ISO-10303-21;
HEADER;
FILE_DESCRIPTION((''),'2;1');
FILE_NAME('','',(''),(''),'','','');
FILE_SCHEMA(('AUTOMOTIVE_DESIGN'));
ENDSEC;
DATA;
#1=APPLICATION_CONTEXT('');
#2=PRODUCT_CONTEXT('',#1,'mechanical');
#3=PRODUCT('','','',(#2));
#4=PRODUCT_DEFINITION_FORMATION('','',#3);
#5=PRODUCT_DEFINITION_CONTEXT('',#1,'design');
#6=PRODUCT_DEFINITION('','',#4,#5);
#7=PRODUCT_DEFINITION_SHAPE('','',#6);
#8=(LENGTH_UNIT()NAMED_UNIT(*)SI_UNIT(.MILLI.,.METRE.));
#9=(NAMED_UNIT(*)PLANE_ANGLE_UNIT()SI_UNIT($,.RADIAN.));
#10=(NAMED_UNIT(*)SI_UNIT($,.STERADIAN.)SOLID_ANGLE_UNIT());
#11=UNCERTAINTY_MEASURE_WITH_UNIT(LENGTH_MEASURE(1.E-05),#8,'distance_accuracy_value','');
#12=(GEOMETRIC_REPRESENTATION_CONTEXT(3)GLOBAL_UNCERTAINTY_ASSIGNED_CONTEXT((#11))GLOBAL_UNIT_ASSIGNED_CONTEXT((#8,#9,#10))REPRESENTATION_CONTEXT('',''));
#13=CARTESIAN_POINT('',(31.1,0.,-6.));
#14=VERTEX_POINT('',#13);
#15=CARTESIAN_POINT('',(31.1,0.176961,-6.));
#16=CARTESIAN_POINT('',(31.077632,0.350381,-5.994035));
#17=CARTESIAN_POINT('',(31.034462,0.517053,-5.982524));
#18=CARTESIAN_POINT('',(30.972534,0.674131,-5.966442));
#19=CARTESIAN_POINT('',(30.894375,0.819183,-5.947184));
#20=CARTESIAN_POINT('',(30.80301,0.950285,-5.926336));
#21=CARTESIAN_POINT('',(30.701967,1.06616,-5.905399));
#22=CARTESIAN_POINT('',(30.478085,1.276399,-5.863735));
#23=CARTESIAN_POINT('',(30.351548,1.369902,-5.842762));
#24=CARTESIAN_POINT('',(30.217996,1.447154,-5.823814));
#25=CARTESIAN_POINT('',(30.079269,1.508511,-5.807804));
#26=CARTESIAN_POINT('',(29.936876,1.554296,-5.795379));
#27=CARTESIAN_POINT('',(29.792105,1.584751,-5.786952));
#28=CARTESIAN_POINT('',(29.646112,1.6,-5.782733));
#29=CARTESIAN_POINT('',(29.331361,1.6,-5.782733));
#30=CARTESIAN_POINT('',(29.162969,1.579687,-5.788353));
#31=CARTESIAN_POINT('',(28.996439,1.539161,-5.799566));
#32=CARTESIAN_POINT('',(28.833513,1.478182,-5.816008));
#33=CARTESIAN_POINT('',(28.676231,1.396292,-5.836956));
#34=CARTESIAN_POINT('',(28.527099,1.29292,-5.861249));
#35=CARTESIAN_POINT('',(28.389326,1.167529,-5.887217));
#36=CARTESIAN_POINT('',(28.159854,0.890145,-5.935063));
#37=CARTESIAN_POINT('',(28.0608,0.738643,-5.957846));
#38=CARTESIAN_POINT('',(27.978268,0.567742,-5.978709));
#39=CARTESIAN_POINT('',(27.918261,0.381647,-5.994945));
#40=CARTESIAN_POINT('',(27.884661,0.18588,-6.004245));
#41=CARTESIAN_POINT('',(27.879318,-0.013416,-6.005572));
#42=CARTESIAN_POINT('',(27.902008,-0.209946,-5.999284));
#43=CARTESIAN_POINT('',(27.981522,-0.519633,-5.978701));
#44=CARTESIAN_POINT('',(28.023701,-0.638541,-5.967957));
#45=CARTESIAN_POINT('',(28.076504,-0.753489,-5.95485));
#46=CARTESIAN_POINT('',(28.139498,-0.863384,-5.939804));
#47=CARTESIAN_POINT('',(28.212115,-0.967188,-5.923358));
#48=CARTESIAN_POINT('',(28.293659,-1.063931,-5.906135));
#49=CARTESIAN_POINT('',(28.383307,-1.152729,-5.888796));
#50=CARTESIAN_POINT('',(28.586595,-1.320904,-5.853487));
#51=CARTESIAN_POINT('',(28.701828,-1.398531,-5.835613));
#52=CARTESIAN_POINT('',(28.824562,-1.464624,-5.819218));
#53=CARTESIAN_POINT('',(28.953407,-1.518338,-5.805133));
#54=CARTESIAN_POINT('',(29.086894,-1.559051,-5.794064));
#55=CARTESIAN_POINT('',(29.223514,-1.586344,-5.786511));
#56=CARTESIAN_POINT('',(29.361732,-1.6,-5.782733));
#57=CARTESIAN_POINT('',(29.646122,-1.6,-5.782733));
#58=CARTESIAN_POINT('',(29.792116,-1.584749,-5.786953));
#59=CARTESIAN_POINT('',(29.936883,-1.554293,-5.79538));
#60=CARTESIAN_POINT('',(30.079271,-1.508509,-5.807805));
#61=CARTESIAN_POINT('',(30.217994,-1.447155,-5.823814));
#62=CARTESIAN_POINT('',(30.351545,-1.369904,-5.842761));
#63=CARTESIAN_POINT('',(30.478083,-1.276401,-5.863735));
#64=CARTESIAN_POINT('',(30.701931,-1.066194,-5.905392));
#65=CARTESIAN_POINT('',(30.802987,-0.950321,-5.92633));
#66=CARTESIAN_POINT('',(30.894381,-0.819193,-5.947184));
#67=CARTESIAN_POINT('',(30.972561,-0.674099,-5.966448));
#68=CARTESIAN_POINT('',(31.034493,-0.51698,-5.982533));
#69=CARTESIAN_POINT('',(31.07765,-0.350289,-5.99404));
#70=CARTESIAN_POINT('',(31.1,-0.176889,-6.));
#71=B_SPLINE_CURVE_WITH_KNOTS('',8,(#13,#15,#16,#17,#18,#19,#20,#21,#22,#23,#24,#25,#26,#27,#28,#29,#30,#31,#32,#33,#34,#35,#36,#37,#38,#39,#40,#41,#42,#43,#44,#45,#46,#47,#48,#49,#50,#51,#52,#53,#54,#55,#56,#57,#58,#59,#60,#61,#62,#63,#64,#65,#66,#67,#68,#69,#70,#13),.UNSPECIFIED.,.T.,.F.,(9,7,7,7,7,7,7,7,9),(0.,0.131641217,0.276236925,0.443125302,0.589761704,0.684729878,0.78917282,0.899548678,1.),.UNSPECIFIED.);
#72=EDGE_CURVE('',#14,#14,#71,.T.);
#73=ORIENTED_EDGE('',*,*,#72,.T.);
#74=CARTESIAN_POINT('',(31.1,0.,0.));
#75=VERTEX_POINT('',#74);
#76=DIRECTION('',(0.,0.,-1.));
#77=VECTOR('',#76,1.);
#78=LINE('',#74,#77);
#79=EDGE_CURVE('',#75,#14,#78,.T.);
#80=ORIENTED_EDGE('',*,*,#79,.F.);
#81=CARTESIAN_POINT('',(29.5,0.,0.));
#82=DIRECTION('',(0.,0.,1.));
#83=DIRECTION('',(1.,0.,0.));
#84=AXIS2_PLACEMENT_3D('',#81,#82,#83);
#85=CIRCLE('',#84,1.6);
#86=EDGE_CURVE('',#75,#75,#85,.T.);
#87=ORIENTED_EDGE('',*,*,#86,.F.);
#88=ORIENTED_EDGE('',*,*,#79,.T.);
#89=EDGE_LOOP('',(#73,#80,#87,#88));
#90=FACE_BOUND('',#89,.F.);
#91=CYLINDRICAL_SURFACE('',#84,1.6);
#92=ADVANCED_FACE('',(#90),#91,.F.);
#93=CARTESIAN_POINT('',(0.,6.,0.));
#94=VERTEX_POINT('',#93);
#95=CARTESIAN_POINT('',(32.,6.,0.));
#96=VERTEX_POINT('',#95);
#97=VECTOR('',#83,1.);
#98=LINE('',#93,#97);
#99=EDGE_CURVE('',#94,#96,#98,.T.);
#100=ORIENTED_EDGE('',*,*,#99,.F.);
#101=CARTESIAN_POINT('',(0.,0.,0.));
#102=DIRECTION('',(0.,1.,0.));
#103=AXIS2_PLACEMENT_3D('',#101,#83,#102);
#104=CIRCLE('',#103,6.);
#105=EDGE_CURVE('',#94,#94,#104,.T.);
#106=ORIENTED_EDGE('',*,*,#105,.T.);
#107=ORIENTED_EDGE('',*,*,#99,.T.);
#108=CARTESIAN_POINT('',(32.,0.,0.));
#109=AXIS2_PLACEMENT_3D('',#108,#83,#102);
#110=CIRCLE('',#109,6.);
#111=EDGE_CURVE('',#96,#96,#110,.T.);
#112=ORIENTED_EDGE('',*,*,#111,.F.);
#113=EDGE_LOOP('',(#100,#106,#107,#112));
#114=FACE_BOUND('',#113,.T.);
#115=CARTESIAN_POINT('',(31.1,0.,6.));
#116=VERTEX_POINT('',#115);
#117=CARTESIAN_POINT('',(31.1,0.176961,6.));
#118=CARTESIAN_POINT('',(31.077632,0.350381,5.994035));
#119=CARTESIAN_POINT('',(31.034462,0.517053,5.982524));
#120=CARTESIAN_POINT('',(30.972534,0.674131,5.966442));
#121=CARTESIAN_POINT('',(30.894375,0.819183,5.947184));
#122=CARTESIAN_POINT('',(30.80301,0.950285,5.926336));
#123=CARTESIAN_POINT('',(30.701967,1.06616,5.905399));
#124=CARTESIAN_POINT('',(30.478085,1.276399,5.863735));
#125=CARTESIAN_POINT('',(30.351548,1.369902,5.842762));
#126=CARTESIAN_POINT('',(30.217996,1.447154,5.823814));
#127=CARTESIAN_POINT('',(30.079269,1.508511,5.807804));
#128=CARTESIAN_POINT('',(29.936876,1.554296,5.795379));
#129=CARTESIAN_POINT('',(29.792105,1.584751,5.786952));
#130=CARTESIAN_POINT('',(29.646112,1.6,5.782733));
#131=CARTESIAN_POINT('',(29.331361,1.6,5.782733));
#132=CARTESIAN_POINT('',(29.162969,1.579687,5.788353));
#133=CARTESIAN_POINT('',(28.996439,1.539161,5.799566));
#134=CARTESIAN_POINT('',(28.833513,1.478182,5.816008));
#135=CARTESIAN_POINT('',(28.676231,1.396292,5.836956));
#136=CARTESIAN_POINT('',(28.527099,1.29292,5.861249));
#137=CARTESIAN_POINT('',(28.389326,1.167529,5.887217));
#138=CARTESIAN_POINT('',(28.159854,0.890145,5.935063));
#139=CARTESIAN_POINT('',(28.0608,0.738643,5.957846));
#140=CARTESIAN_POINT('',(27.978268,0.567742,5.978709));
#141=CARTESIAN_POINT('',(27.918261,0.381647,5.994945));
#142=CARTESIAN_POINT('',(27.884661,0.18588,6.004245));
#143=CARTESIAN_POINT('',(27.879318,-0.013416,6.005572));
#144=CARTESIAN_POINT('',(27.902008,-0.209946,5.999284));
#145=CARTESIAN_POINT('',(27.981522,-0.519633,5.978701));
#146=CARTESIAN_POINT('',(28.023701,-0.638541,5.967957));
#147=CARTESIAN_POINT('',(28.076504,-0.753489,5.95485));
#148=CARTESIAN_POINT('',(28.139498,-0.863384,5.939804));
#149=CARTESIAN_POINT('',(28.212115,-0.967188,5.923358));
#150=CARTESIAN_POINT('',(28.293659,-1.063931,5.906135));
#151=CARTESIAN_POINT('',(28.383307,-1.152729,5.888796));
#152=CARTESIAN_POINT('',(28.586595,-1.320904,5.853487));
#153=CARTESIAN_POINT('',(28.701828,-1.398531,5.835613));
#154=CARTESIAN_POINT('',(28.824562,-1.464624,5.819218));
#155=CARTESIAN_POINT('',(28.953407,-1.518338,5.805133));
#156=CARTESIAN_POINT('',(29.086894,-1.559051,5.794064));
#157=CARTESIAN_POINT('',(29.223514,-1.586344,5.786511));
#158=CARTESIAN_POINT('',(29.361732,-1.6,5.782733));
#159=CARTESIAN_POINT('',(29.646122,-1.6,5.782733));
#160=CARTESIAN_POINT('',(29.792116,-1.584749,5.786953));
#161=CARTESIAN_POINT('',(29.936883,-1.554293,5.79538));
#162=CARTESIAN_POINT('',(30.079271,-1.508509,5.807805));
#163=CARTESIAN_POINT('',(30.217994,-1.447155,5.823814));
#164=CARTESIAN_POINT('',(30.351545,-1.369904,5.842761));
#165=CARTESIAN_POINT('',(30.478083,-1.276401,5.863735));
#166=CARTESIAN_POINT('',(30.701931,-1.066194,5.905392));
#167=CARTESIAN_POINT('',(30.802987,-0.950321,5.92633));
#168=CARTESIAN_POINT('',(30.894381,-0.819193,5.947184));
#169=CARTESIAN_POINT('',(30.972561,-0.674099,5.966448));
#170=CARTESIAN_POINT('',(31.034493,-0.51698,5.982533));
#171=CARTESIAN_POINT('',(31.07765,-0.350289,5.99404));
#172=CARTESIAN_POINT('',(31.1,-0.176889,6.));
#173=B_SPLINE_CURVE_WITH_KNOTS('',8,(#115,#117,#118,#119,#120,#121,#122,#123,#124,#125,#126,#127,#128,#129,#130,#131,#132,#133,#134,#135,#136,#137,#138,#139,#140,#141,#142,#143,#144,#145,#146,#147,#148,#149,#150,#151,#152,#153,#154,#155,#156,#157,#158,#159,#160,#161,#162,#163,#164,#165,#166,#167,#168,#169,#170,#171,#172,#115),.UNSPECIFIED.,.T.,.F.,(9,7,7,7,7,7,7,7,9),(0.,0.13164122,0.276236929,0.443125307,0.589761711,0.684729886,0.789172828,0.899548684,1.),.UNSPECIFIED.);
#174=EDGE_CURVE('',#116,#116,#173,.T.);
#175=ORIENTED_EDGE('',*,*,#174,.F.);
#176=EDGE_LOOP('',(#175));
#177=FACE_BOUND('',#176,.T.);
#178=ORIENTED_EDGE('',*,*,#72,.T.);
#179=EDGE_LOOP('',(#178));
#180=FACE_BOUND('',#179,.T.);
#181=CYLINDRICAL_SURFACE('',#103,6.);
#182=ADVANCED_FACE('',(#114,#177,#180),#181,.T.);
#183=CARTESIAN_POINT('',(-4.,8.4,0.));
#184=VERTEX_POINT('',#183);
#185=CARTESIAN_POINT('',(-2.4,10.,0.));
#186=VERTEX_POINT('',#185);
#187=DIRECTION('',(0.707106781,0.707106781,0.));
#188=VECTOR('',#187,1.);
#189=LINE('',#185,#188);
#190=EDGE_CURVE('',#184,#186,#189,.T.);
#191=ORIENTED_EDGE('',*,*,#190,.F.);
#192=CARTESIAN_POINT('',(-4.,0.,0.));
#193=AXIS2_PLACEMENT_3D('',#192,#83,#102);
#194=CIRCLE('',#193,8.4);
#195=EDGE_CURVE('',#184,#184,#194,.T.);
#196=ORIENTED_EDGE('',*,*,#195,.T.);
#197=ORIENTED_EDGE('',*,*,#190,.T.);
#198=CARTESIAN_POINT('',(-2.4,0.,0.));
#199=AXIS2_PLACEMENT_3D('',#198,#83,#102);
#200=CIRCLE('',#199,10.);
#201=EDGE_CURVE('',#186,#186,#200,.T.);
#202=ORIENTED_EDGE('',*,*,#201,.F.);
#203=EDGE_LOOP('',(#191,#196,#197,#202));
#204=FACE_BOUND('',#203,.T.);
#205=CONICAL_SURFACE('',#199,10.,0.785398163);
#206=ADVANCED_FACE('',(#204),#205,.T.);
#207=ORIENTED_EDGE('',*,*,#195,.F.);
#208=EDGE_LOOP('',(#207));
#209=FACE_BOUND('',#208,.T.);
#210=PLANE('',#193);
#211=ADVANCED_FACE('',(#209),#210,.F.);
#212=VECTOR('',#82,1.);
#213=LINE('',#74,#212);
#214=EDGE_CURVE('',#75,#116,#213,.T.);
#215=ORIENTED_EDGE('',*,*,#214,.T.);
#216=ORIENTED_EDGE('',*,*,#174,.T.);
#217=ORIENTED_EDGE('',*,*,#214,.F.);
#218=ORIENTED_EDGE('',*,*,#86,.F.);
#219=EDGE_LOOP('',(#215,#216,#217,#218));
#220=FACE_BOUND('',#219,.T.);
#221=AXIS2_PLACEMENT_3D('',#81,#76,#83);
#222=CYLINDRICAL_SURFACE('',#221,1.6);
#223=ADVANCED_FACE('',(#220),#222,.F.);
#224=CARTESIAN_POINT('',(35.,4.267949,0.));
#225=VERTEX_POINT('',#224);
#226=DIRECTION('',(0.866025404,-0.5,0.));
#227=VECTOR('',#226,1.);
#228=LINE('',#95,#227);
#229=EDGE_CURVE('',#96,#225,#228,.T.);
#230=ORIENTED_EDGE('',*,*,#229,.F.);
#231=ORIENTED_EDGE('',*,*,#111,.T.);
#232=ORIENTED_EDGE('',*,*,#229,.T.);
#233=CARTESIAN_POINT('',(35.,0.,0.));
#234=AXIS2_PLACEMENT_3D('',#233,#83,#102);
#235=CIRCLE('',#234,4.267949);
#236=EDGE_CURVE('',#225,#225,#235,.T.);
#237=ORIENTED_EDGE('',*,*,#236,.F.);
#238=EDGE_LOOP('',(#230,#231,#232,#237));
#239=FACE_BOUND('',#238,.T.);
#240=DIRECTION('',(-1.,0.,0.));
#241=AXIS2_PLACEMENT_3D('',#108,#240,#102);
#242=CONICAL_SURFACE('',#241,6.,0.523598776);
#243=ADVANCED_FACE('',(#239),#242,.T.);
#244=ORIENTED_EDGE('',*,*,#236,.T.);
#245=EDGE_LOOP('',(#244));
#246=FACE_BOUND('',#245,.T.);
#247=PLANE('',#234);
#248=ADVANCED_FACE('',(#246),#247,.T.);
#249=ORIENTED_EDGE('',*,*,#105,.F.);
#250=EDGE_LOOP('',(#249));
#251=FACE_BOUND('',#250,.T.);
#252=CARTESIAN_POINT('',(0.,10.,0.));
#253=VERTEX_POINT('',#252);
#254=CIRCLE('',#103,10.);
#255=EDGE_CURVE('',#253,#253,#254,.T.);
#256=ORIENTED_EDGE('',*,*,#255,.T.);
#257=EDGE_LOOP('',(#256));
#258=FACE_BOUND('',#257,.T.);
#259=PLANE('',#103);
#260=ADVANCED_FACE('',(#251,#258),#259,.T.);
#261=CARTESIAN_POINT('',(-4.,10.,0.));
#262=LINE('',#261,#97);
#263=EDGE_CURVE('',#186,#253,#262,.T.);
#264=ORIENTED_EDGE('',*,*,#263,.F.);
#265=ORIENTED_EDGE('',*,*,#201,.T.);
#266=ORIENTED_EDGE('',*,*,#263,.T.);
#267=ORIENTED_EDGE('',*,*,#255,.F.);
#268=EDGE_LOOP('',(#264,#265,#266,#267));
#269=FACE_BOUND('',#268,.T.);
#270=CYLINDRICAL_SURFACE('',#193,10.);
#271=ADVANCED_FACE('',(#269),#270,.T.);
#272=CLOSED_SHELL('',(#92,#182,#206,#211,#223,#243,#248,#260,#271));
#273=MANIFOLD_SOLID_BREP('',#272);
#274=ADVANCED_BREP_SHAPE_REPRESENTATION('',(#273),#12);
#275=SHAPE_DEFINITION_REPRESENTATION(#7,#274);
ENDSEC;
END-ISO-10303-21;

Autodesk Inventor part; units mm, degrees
ref_plane "YZ Plane" through (0, 0, 0) normal (1, 0, 0) x (0, 1, 0)
ref_plane "XZ Plane" through (0, 0, 0) normal (0, 1, 0) x (-1, 0, 0)
sketch "Skizze1" plane through (0, 0, 0) normal (0, 0, 1) x (1, 0, 0)
  line L0 (-4, 0) -> (-4, 10)
  line L1 (-4, 10) -> (0, 10)
  line L2 (0, 10) -> (0, 6)
  line L3 (0, 6) -> (35, 6)
  line L4 (35, 6) -> (35, 0)
  line L5 (-4, 0) -> (35, 0)
  line L6 (-4, 0) -> (17, 0) projected
  line L7 (0, -0.98) -> (0, 3.08) projected
  circle A0 centre (29.5, 0) radius 1.6
  dimension "d0" = 12
  dimension "d1" = 20
  dimension "d2" = 4
  dimension "d3" = 35
  dimension "d5" = 5.5
  dimension "d6" = 3.2
revolve "Körper" add sketch "Skizze1" angle 360 about axis through (-4, 0, 0) along (1, 0, 0) picked at (29.9216, 0.9202) contours L0 L1 L2 L3 L4 L5 A0 | A0 L5
extrude "Bohrung" cut sketch "Skizze1" along normal through all both and the other way through all contours A0 L5 | L5 A0
chamfer "Fase1" distance 1.6 angle 45 1 edges at (-4, -10, 0) measured on face at (-2.6667, 9.9676, -0.8047)
chamfer "Fase2" distance 3 angle 30 1 edges at (35, -6, 0) measured on face at (21.4513, 2.8362, -5.2873)
ref_plane "Work Plane1" through (17.5, 0, 6) normal (0, 0, 1) x (1, 0, 0)
equation "\"d0\" = NND"
equation "\"d1\" = KOD"
equation "\"d2\" = KOH"
equation "\"d3\" = NLG"
equation "\"d5\" = DIST"
equation "\"d6\" = BOR"
equation "\"d7\" = NND"
equation "\"d9\" = PHH2"
equation "\"d10\" = FAWI2"
equation "\"d16\" = PHH2"
equation "\"d11\" = PHH1"
equation "\"d12\" = FAWI1"
equation "\"d17\" = PHH1"
equation "\"PHH1\" = 3"
equation "\"PHH2\" = 1.6"
equation "\"KOD\" = 20"
equation "\"KOH\" = 4"
equation "\"NND\" = 12"
equation "\"FAWI1\" = 30deg"
equation "\"FAWI2\" = 45deg"
equation "\"DIST\" = 5.5"
equation "\"BOR\" = 3.2"
equation "\"NLG\" = 35"
properties part number "IS 6863 - B12 x 35" material "Stahl, weich"
